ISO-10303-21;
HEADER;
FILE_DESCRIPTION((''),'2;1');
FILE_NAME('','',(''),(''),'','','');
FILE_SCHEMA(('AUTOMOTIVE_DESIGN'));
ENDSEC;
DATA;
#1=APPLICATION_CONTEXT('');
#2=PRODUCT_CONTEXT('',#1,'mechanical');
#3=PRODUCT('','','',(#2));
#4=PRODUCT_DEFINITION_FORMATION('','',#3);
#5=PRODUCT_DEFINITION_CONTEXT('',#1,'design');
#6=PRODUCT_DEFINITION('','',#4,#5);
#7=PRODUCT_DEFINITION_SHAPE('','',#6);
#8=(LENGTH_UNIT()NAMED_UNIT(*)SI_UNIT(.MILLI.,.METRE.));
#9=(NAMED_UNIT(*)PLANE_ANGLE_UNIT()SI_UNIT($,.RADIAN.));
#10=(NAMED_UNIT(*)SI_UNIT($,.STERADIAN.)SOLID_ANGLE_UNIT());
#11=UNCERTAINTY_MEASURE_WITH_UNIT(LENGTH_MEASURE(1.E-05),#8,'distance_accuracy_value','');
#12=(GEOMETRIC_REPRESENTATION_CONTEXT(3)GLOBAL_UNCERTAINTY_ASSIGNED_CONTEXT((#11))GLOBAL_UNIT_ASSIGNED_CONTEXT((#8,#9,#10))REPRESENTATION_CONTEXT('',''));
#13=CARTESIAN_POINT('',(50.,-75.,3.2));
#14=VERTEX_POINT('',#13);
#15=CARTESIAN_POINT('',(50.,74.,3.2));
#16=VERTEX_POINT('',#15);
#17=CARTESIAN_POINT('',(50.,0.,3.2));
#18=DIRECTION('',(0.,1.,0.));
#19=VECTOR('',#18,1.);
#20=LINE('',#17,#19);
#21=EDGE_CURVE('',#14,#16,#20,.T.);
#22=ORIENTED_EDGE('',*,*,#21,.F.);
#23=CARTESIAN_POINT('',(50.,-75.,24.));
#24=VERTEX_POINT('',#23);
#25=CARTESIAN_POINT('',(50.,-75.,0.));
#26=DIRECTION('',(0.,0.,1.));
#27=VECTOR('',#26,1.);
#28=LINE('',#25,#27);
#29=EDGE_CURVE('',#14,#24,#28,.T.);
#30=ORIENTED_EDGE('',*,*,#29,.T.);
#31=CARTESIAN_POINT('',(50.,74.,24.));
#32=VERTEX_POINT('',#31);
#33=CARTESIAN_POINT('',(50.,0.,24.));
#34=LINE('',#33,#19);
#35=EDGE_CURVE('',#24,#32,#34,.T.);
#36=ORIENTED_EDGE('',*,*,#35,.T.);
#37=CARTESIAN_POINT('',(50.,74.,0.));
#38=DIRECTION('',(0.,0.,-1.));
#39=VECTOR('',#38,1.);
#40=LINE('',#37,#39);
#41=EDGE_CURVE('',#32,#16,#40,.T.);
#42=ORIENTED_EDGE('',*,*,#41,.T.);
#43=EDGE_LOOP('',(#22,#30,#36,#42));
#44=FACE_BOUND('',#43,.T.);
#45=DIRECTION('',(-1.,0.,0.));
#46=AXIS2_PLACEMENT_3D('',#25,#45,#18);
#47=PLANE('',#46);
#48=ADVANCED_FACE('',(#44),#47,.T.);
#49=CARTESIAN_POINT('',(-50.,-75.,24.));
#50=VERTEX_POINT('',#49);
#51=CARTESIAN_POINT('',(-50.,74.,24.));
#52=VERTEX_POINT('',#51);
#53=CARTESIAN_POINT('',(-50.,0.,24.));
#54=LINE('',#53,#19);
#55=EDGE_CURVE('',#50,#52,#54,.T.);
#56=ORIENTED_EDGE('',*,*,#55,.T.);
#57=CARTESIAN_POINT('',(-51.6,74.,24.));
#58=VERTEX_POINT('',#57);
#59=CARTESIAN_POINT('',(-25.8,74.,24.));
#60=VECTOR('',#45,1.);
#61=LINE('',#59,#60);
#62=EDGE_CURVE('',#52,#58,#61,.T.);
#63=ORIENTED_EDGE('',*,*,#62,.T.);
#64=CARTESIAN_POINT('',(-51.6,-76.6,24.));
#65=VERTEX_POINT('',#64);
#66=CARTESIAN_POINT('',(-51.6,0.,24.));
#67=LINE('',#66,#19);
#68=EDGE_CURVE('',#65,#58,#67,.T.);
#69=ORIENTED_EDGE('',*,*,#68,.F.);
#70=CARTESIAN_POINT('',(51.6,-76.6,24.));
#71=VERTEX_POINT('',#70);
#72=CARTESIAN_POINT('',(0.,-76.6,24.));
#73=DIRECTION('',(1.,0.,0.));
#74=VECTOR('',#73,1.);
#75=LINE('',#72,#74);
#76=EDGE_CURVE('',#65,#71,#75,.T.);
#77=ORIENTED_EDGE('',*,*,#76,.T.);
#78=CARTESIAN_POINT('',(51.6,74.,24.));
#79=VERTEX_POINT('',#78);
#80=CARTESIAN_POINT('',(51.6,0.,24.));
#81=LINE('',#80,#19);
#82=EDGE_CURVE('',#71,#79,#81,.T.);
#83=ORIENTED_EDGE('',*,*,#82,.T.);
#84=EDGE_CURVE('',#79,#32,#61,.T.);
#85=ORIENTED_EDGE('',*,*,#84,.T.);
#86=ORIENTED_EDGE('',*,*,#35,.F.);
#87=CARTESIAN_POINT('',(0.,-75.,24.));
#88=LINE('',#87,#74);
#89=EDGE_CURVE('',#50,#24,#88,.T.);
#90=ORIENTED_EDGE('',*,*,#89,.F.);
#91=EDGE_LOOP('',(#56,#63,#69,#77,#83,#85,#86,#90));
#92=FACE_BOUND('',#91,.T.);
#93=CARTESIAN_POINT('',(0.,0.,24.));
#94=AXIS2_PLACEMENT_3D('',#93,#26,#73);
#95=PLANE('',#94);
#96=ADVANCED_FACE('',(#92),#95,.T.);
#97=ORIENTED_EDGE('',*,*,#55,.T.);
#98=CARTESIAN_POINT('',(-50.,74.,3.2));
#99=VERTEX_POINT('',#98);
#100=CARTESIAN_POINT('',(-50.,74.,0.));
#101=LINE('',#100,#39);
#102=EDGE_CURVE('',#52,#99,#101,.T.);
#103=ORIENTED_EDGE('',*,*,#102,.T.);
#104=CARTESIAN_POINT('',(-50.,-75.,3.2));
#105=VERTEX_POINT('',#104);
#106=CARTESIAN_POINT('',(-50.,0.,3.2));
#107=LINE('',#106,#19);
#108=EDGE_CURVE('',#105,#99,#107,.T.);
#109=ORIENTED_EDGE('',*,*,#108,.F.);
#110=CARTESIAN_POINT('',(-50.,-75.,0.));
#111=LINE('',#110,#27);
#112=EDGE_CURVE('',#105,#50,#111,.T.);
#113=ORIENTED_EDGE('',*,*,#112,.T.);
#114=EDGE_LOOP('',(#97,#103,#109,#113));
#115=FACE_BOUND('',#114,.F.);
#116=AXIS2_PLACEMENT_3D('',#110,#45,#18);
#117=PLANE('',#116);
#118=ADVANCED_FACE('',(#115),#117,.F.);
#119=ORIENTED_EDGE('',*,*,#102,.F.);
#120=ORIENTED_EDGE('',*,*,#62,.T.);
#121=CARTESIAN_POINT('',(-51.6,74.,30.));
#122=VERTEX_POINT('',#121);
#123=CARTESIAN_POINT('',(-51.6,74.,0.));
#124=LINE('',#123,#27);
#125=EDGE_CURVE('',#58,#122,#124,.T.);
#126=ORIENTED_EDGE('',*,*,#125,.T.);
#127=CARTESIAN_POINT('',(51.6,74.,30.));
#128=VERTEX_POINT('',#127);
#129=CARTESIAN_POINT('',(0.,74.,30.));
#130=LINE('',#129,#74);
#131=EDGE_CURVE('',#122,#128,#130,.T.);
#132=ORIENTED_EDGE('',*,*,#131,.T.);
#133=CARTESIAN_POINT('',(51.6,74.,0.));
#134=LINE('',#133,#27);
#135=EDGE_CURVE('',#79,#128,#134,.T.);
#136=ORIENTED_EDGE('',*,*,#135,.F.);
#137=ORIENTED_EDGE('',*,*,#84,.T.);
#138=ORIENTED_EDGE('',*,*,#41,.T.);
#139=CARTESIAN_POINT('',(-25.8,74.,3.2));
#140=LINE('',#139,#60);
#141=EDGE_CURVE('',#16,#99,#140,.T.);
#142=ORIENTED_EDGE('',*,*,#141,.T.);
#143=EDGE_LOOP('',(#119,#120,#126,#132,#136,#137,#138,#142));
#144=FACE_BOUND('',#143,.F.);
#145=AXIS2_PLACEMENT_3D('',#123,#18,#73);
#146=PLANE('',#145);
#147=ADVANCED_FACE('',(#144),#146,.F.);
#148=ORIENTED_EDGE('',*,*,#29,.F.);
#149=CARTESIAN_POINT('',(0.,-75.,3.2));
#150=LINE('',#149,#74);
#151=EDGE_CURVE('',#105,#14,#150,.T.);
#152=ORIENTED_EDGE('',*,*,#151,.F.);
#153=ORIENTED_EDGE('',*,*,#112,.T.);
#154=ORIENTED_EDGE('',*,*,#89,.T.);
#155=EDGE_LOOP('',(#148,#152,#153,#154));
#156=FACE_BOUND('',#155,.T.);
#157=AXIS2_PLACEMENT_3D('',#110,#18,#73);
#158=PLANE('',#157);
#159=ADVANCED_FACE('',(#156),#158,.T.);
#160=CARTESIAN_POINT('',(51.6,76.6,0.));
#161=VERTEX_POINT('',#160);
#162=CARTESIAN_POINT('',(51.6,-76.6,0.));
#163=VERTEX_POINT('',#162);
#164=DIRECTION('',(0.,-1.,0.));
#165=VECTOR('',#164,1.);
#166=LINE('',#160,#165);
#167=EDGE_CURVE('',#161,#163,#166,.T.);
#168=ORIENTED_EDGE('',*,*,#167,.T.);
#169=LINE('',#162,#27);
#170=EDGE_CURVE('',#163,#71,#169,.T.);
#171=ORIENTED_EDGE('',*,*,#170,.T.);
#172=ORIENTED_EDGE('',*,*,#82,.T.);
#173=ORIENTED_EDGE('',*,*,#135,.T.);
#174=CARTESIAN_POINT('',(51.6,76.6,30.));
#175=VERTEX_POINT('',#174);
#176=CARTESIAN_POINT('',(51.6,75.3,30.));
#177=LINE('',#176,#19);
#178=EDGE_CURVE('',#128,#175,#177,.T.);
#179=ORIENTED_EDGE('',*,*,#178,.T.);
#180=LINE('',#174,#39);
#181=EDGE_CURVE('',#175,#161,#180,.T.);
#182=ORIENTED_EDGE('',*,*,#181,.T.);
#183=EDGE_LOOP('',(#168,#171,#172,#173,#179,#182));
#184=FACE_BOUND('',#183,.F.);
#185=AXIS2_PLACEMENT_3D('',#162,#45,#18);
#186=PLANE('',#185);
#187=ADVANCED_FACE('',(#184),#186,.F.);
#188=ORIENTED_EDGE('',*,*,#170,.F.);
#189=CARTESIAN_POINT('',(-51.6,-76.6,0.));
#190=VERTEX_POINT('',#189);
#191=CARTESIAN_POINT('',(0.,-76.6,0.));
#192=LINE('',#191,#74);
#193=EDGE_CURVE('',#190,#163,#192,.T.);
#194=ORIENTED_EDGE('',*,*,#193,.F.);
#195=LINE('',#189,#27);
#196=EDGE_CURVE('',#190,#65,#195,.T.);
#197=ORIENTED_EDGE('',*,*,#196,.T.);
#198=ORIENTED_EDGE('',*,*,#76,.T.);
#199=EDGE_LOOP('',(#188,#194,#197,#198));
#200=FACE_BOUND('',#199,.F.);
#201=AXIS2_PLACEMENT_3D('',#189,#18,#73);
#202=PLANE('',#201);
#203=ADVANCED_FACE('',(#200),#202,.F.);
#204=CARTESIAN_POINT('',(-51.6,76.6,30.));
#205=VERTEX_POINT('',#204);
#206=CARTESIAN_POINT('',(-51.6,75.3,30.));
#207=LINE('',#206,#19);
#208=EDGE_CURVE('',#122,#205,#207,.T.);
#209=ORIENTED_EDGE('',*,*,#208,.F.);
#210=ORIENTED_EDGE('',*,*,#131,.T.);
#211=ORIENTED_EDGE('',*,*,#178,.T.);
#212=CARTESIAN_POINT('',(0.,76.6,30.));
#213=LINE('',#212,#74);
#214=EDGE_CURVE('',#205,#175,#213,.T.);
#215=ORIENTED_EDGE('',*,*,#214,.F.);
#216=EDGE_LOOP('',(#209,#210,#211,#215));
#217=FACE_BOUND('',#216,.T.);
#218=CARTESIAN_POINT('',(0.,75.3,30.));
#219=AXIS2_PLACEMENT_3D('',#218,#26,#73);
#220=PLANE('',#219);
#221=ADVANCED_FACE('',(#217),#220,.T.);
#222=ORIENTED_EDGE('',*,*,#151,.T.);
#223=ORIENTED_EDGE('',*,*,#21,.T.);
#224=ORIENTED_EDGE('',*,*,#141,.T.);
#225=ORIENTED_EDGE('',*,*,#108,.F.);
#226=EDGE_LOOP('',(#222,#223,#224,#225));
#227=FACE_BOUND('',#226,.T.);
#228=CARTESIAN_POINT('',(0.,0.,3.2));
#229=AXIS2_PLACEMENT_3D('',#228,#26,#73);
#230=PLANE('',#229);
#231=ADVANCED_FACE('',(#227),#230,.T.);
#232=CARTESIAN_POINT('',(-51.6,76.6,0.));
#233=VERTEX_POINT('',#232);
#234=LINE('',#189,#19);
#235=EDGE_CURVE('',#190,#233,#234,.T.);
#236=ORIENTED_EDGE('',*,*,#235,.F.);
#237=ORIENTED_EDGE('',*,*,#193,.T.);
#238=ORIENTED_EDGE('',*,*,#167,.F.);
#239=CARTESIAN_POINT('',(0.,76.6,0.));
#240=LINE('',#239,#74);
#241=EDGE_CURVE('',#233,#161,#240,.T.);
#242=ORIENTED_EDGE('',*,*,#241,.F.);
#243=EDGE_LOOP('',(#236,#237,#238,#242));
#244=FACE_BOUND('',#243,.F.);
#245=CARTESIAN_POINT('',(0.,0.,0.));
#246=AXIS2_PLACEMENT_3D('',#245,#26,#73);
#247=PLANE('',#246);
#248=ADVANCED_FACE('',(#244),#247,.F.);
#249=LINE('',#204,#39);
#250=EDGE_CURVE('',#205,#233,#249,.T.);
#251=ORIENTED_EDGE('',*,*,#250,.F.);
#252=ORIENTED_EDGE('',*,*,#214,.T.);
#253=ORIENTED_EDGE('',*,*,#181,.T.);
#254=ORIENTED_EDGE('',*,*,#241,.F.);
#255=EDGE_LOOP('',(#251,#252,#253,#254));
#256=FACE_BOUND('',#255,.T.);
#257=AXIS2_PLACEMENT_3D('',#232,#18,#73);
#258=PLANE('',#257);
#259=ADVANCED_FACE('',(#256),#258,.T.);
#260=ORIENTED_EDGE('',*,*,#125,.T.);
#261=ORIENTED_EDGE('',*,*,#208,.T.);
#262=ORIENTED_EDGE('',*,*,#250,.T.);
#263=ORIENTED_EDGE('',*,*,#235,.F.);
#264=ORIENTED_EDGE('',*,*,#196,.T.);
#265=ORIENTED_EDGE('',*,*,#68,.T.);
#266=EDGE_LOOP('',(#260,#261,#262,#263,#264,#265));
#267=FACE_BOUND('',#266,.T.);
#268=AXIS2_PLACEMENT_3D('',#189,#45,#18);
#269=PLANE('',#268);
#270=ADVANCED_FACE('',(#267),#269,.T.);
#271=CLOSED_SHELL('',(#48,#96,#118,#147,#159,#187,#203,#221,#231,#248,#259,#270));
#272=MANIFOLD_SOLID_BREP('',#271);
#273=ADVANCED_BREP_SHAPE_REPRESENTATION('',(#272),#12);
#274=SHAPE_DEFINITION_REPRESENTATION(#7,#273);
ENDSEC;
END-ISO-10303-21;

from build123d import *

# Parameters (mm, degrees)
F0_W     = 103.2
F0_H     = 153.2
F0_W_2   = 100
F0_H_2   = 150
F1_DEPTH = 24
F2_W     = 100
F2_H     = 150
F3_DEPTH = 3.2
F4_W     = 103.2
F4_H     = 2.6
F5_DEPTH = 30


with BuildPart() as f1:
    # F0 (on Top) → F1 (new body)
    with BuildSketch(Plane.XY):
        Rectangle(F0_W, F0_H)
        Rectangle(F0_W_2, F0_H_2, mode=Mode.SUBTRACT)
    extrude(amount=F1_DEPTH)

    # F2 (on Top) → F3 (join)
    with BuildSketch(Plane.XY):
        Rectangle(F2_W, F2_H)
    extrude(amount=F3_DEPTH)

    # F4 (on Top) → F5 (join)
    with BuildSketch(Plane.XY):
        with Locations((0, 75.3)):
            Rectangle(F4_W, F4_H)
    extrude(amount=F5_DEPTH)


solid = f1.part
